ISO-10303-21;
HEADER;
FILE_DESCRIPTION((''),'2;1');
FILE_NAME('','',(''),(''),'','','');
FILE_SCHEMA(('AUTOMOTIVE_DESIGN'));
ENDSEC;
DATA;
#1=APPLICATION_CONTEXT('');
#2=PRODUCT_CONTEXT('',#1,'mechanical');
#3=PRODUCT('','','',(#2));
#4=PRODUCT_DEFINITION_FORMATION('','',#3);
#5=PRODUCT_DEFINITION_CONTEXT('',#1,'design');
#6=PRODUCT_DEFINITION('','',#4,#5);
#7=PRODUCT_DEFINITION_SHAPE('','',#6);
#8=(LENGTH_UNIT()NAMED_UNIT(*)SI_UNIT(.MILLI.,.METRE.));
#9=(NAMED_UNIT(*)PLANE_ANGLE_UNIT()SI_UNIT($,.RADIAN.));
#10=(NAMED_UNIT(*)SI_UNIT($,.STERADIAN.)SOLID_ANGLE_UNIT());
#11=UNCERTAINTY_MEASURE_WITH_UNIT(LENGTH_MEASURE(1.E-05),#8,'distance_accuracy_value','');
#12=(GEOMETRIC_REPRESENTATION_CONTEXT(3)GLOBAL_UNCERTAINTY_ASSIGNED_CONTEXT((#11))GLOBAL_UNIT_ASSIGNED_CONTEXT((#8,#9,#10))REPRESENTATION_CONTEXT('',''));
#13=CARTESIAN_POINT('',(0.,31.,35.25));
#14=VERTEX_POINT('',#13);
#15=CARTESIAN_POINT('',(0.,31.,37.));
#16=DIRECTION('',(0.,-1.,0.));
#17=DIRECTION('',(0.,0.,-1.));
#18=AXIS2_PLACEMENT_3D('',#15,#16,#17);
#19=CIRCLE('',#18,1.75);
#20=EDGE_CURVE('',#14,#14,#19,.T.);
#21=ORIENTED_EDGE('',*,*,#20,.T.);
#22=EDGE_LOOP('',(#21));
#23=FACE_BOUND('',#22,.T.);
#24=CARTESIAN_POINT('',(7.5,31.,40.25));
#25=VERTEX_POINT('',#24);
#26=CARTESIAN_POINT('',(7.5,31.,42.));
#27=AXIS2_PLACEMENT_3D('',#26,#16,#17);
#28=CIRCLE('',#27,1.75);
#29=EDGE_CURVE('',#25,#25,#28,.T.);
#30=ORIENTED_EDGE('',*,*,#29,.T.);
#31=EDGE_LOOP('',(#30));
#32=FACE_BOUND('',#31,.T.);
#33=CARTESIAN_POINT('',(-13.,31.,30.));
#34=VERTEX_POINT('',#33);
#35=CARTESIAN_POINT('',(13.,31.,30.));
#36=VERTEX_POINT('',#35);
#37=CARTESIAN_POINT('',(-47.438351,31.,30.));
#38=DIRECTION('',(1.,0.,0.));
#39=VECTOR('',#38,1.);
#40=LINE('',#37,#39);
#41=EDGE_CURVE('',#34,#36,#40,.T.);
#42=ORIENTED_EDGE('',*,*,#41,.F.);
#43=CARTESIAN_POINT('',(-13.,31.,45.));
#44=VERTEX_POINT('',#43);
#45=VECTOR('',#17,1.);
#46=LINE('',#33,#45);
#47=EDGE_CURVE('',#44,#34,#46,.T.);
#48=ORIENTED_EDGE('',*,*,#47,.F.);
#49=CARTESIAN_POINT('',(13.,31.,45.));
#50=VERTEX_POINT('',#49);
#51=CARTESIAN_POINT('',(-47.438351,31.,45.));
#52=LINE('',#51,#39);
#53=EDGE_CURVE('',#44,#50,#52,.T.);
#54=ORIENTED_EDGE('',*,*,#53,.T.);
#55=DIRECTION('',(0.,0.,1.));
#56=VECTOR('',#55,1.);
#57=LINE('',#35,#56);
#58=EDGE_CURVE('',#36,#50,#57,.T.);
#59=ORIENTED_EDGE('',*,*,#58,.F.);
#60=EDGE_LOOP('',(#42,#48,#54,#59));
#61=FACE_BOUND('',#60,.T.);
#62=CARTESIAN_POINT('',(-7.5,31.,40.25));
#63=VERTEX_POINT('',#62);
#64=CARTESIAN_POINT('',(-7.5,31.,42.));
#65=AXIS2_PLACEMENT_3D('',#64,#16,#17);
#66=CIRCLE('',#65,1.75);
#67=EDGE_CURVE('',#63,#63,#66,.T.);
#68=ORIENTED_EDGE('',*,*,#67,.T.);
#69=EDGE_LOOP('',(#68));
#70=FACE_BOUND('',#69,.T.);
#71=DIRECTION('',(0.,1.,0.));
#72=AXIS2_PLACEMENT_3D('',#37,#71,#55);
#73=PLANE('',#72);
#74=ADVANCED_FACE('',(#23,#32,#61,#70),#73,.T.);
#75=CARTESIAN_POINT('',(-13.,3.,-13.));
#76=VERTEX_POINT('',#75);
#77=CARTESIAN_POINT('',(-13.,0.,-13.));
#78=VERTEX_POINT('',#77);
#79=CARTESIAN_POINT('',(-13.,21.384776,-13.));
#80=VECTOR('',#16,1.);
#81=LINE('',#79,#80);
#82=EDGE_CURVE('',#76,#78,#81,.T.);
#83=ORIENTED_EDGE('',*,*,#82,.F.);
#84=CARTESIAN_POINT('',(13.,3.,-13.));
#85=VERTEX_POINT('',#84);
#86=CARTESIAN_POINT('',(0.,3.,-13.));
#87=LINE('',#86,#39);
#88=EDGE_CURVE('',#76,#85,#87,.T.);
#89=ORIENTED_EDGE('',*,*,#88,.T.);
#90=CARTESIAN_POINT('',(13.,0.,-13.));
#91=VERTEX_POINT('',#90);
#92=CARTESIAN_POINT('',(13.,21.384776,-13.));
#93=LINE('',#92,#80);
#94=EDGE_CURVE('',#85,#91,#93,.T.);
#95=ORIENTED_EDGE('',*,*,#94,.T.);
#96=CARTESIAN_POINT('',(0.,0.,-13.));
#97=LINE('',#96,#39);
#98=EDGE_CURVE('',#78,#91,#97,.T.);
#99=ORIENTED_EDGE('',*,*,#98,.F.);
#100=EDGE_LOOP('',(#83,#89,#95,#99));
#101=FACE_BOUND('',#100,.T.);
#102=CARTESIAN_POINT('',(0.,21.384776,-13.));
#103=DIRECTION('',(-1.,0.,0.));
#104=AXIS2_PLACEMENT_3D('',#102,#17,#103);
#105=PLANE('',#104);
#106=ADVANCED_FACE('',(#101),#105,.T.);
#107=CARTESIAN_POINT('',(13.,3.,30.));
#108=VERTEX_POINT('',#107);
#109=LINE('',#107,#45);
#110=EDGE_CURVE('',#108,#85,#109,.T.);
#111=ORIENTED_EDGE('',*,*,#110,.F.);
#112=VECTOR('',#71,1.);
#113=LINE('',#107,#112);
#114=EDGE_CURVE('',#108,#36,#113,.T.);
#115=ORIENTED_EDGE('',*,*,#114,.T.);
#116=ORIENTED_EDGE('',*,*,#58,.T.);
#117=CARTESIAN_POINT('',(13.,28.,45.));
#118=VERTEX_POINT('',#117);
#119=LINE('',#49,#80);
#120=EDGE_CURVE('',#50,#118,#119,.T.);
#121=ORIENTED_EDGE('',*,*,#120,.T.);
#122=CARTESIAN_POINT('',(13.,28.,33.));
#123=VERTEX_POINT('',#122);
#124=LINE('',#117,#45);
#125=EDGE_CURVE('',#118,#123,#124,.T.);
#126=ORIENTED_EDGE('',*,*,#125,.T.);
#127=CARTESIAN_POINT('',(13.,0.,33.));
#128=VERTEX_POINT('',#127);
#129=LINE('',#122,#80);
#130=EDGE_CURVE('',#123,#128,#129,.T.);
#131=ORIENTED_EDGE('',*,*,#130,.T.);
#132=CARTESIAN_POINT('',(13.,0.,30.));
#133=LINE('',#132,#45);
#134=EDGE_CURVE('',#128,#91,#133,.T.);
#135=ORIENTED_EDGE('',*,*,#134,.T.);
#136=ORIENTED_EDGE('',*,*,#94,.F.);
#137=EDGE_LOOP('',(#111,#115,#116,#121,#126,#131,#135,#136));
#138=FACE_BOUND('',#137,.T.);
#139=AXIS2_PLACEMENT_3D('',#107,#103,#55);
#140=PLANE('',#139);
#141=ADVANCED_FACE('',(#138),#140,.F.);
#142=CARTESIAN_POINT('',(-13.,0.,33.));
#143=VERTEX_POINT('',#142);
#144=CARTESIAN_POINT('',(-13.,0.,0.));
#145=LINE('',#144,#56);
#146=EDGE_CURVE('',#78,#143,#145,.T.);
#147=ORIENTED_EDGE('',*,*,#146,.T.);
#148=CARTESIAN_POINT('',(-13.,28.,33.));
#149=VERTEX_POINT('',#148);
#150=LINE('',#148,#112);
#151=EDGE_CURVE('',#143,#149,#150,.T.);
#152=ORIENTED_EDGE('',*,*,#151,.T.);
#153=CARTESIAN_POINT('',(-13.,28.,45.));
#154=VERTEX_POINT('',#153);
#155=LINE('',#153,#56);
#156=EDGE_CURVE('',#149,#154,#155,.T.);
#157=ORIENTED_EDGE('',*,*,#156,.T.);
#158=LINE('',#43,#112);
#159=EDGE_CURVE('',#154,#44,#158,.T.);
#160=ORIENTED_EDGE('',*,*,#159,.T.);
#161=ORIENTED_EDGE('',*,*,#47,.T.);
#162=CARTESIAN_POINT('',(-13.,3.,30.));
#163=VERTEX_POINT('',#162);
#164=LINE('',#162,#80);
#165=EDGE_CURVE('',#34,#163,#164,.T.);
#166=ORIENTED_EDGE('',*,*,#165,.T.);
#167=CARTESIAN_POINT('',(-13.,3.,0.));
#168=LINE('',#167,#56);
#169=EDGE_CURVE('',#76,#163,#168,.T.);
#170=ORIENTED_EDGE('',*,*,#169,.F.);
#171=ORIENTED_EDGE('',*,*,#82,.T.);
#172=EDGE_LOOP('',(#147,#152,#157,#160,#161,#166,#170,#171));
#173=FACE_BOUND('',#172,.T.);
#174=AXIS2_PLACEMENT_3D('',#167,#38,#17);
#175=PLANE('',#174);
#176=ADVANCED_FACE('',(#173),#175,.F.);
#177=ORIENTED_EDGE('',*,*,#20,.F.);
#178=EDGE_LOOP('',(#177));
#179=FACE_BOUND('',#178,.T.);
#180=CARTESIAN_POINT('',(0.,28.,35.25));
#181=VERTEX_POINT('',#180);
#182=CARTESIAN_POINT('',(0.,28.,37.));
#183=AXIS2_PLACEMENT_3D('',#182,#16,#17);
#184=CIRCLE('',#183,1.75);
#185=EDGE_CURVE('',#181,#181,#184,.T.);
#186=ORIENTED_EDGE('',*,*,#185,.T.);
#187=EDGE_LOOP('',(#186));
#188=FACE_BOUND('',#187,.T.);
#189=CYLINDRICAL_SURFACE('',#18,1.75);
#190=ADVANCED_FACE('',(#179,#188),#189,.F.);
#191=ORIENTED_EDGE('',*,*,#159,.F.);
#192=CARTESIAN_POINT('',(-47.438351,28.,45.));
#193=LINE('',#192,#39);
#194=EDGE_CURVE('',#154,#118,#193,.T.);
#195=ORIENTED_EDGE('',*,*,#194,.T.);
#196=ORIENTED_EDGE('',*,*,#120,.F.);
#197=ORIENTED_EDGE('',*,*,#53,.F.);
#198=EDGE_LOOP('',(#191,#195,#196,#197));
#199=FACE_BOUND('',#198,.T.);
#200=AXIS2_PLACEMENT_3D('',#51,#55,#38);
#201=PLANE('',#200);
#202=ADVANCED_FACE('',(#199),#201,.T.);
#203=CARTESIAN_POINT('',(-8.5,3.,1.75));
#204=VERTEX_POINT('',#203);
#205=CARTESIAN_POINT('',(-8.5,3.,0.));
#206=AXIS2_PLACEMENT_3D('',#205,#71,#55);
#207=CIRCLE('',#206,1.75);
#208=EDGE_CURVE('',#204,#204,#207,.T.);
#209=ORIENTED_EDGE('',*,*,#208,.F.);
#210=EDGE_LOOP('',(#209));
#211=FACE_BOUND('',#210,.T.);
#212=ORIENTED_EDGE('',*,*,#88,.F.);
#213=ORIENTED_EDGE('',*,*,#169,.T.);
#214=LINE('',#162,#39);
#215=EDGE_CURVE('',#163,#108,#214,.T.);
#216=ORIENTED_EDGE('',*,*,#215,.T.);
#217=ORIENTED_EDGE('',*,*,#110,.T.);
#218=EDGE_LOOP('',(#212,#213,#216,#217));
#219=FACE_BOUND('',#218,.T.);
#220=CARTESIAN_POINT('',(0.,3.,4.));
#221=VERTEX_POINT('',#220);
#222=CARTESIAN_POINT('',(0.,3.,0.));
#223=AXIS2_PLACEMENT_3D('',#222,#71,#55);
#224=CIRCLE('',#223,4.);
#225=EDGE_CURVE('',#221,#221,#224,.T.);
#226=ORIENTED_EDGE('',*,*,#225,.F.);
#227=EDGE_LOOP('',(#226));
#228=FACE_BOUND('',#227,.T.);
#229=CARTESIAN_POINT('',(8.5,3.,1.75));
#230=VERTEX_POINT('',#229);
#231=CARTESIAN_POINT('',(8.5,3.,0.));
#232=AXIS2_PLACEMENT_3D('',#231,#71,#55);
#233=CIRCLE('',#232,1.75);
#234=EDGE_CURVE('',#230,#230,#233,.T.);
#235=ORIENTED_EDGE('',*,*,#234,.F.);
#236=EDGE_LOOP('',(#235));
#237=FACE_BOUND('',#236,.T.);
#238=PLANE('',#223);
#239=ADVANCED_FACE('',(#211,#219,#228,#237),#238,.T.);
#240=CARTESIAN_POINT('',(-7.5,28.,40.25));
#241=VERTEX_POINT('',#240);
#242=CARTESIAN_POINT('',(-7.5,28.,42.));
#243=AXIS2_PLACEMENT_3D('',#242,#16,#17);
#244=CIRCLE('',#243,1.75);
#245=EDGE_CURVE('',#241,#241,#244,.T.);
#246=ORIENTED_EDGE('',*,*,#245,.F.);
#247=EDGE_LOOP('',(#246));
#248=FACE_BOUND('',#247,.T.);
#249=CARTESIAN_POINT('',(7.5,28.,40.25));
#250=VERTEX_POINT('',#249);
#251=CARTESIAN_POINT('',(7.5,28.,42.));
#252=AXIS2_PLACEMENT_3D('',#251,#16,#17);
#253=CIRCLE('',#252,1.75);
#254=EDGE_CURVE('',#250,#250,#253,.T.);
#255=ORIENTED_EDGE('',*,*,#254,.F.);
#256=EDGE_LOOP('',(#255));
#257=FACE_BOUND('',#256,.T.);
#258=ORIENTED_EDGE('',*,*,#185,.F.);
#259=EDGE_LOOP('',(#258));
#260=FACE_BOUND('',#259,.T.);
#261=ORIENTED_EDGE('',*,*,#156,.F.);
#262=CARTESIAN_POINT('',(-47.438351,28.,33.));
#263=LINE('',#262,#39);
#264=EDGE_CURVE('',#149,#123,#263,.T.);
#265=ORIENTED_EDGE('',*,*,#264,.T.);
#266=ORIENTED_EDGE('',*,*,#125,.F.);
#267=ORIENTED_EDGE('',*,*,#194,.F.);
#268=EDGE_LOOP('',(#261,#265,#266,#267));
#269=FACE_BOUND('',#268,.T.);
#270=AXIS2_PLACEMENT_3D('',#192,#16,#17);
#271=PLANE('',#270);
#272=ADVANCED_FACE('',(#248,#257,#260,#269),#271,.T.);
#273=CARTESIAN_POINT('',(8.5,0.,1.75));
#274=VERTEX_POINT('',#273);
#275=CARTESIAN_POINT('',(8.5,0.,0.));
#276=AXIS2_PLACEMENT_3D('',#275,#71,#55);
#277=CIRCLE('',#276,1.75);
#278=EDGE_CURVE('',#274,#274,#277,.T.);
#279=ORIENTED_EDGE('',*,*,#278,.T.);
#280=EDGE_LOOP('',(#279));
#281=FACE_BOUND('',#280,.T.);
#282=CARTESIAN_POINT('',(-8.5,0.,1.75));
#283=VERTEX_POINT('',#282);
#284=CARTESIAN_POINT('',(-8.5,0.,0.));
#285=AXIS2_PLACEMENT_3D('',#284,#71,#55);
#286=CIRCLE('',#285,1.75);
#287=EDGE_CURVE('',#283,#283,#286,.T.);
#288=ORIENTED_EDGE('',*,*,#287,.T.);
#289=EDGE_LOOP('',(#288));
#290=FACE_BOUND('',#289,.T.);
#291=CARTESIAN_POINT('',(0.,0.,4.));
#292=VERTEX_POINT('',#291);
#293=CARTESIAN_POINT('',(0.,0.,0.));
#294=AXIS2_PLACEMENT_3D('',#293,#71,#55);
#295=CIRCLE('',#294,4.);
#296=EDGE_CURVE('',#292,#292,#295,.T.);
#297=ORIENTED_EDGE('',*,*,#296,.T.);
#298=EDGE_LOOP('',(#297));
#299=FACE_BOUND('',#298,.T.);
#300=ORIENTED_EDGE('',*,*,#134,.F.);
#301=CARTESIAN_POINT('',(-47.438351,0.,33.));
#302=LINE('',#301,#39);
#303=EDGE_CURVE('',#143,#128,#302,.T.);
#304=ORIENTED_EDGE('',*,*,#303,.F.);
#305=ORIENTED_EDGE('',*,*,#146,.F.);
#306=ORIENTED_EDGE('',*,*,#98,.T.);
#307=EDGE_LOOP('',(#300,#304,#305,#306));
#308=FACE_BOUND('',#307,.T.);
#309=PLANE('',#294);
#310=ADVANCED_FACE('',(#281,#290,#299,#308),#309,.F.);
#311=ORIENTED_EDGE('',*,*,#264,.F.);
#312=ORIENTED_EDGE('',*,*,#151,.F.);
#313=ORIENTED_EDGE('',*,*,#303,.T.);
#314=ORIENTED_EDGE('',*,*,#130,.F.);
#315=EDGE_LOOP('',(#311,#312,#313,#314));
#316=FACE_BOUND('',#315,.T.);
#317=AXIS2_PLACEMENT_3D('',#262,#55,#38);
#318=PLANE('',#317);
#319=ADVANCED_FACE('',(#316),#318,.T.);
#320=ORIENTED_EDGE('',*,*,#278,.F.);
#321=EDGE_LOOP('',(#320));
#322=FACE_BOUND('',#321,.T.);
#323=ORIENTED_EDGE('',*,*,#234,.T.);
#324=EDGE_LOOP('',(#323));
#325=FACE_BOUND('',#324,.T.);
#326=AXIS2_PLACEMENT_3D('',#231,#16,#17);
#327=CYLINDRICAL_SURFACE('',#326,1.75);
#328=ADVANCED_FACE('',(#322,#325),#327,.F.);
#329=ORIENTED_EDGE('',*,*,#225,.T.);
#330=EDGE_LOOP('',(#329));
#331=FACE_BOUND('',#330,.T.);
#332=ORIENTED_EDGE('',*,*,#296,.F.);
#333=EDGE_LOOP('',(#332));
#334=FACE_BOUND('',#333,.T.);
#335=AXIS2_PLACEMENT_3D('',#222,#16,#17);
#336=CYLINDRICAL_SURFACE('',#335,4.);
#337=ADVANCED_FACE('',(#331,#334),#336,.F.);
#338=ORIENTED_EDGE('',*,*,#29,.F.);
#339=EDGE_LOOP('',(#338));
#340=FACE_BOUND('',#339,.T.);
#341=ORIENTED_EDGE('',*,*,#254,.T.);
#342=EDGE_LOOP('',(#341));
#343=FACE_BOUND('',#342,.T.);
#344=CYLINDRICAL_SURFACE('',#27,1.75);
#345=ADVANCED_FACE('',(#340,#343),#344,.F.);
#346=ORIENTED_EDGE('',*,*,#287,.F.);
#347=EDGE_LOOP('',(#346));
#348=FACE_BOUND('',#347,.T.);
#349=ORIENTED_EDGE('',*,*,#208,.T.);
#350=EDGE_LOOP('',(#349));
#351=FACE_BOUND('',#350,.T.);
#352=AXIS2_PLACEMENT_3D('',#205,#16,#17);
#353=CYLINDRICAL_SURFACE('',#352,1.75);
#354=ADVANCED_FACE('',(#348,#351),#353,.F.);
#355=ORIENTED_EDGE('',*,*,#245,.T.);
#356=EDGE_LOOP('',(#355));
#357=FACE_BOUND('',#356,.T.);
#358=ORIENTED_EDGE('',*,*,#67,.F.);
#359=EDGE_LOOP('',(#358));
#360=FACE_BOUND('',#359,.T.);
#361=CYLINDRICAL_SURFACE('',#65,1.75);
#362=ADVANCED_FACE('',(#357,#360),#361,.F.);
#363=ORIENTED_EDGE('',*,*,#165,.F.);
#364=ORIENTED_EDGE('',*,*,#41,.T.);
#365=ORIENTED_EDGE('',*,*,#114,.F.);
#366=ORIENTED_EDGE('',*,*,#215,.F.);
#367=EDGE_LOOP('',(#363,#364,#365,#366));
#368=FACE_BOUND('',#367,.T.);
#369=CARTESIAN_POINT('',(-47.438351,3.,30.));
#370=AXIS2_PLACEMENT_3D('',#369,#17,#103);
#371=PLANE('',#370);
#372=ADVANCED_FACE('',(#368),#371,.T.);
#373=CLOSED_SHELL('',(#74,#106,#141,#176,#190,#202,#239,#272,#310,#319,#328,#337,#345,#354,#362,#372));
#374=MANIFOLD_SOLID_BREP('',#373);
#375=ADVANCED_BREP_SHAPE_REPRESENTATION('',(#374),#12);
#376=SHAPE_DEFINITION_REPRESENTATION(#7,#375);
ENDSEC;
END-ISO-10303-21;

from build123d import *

# Parameters (mm, degrees)
SKETCH_1_R          = 4
SKETCH_1_R_2        = 1.75
EXTRUDE_1_DEPTH     = 3
EXTRUDE_2_DEPTH     = 26
CUT_EXTRUDE_1_DEPTH = 55.571054599
EXTRUDE_4_DEPTH     = 3


with BuildPart() as part:
    # 草图1 → 凸台-拉伸1 (new body)
    with BuildSketch(Plane(origin=(0, 0, 0), x_dir=(1, 0, 0), z_dir=(0, 1, 0))):
        with BuildLine():
            Line((-13, 0), (-13, -30))
            Line((-13, -30), (13, -30))
            Line((13, -30), (13, 0))
            ThreePointArc((13, 0), (0, 13), (-13, 0))
        make_face()
        with Locations(Location((0, 0, 0), (0, 0, 270))):
            Circle(SKETCH_1_R, mode=Mode.SUBTRACT)
        with Locations(Location((8.5, 0, 0), (0, 0, 270))):
            Circle(SKETCH_1_R_2, mode=Mode.SUBTRACT)
        with Locations(Location((-8.5, 0, 0), (0, 0, 270))):
            Circle(SKETCH_1_R_2, mode=Mode.SUBTRACT)
    extrude(amount=EXTRUDE_1_DEPTH)

    # 草图4 → 凸台-拉伸2 (add)
    with BuildSketch(Plane(origin=(13, 0, 0), x_dir=(0, 0, -1), z_dir=(1, 0, 0))):
        Polygon((-30, 3), (-30, 31), (-45, 31), (-45, 28), (-33, 28), (-33, 0), (-30, 0), align=None)
    extrude(amount=-EXTRUDE_2_DEPTH)

    # 草图6 → 切除-拉伸1 (cut, through all)
    with BuildSketch(Plane.XZ.offset(-28)):
        with BuildLine():
            ThreePointArc((9.25, 42), (7.5, 43.75), (5.75, 42))
            Line((5.75, 42), (7.5, 42))
            Line((7.5, 42), (7.5, 40.25))
            ThreePointArc((7.5, 40.25), (8.737436867, 40.762563133), (9.25, 42))
        make_face()
        with BuildLine():
            Line((7.5, 42), (5.75, 42))
            ThreePointArc((5.75, 42), (6.262563133, 40.762563133), (7.5, 40.25))
            Line((7.5, 40.25), (7.5, 42))
        make_face()
        with BuildLine():
            ThreePointArc((1.75, 37), (0, 38.75), (-1.75, 37))
            Line((-1.75, 37), (1.75, 37))
        make_face()
        with BuildLine():
            Line((1.75, 37), (-1.75, 37))
            ThreePointArc((-1.75, 37), (0, 35.25), (1.75, 37))
        make_face()
        with BuildLine():
            Line((-7.5, 40.25), (-7.5, 42))
            Line((-7.5, 42), (-5.75, 42))
            ThreePointArc((-5.75, 42), (-8.737436867, 43.237436867), (-7.5, 40.25))
        make_face()
        with BuildLine():
            Line((-5.75, 42), (-7.5, 42))
            Line((-7.5, 42), (-7.5, 40.25))
            ThreePointArc((-7.5, 40.25), (-6.262563133, 40.762563133), (-5.75, 42))
        make_face()
    extrude(amount=-CUT_EXTRUDE_1_DEPTH, mode=Mode.SUBTRACT)

    # 草图7 → 凸台-拉伸4 (add)
    with BuildSketch(Plane.XZ):
        with BuildLine():
            ThreePointArc((-6.7e-08, -13), (-9.192388179, -9.192388132), (-13, 0))
            Line((-13, 0), (-13, -13))
            Line((-13, -13), (-6.7e-08, -13))
        make_face()
        with BuildLine():
            ThreePointArc((13, 0), (9.192388132, -9.192388179), (-6.7e-08, -13))
            Line((-6.7e-08, -13), (13, -13))
            Line((13, -13), (13, 0))
        make_face()
    extrude(amount=-EXTRUDE_4_DEPTH)


solid = part.part
